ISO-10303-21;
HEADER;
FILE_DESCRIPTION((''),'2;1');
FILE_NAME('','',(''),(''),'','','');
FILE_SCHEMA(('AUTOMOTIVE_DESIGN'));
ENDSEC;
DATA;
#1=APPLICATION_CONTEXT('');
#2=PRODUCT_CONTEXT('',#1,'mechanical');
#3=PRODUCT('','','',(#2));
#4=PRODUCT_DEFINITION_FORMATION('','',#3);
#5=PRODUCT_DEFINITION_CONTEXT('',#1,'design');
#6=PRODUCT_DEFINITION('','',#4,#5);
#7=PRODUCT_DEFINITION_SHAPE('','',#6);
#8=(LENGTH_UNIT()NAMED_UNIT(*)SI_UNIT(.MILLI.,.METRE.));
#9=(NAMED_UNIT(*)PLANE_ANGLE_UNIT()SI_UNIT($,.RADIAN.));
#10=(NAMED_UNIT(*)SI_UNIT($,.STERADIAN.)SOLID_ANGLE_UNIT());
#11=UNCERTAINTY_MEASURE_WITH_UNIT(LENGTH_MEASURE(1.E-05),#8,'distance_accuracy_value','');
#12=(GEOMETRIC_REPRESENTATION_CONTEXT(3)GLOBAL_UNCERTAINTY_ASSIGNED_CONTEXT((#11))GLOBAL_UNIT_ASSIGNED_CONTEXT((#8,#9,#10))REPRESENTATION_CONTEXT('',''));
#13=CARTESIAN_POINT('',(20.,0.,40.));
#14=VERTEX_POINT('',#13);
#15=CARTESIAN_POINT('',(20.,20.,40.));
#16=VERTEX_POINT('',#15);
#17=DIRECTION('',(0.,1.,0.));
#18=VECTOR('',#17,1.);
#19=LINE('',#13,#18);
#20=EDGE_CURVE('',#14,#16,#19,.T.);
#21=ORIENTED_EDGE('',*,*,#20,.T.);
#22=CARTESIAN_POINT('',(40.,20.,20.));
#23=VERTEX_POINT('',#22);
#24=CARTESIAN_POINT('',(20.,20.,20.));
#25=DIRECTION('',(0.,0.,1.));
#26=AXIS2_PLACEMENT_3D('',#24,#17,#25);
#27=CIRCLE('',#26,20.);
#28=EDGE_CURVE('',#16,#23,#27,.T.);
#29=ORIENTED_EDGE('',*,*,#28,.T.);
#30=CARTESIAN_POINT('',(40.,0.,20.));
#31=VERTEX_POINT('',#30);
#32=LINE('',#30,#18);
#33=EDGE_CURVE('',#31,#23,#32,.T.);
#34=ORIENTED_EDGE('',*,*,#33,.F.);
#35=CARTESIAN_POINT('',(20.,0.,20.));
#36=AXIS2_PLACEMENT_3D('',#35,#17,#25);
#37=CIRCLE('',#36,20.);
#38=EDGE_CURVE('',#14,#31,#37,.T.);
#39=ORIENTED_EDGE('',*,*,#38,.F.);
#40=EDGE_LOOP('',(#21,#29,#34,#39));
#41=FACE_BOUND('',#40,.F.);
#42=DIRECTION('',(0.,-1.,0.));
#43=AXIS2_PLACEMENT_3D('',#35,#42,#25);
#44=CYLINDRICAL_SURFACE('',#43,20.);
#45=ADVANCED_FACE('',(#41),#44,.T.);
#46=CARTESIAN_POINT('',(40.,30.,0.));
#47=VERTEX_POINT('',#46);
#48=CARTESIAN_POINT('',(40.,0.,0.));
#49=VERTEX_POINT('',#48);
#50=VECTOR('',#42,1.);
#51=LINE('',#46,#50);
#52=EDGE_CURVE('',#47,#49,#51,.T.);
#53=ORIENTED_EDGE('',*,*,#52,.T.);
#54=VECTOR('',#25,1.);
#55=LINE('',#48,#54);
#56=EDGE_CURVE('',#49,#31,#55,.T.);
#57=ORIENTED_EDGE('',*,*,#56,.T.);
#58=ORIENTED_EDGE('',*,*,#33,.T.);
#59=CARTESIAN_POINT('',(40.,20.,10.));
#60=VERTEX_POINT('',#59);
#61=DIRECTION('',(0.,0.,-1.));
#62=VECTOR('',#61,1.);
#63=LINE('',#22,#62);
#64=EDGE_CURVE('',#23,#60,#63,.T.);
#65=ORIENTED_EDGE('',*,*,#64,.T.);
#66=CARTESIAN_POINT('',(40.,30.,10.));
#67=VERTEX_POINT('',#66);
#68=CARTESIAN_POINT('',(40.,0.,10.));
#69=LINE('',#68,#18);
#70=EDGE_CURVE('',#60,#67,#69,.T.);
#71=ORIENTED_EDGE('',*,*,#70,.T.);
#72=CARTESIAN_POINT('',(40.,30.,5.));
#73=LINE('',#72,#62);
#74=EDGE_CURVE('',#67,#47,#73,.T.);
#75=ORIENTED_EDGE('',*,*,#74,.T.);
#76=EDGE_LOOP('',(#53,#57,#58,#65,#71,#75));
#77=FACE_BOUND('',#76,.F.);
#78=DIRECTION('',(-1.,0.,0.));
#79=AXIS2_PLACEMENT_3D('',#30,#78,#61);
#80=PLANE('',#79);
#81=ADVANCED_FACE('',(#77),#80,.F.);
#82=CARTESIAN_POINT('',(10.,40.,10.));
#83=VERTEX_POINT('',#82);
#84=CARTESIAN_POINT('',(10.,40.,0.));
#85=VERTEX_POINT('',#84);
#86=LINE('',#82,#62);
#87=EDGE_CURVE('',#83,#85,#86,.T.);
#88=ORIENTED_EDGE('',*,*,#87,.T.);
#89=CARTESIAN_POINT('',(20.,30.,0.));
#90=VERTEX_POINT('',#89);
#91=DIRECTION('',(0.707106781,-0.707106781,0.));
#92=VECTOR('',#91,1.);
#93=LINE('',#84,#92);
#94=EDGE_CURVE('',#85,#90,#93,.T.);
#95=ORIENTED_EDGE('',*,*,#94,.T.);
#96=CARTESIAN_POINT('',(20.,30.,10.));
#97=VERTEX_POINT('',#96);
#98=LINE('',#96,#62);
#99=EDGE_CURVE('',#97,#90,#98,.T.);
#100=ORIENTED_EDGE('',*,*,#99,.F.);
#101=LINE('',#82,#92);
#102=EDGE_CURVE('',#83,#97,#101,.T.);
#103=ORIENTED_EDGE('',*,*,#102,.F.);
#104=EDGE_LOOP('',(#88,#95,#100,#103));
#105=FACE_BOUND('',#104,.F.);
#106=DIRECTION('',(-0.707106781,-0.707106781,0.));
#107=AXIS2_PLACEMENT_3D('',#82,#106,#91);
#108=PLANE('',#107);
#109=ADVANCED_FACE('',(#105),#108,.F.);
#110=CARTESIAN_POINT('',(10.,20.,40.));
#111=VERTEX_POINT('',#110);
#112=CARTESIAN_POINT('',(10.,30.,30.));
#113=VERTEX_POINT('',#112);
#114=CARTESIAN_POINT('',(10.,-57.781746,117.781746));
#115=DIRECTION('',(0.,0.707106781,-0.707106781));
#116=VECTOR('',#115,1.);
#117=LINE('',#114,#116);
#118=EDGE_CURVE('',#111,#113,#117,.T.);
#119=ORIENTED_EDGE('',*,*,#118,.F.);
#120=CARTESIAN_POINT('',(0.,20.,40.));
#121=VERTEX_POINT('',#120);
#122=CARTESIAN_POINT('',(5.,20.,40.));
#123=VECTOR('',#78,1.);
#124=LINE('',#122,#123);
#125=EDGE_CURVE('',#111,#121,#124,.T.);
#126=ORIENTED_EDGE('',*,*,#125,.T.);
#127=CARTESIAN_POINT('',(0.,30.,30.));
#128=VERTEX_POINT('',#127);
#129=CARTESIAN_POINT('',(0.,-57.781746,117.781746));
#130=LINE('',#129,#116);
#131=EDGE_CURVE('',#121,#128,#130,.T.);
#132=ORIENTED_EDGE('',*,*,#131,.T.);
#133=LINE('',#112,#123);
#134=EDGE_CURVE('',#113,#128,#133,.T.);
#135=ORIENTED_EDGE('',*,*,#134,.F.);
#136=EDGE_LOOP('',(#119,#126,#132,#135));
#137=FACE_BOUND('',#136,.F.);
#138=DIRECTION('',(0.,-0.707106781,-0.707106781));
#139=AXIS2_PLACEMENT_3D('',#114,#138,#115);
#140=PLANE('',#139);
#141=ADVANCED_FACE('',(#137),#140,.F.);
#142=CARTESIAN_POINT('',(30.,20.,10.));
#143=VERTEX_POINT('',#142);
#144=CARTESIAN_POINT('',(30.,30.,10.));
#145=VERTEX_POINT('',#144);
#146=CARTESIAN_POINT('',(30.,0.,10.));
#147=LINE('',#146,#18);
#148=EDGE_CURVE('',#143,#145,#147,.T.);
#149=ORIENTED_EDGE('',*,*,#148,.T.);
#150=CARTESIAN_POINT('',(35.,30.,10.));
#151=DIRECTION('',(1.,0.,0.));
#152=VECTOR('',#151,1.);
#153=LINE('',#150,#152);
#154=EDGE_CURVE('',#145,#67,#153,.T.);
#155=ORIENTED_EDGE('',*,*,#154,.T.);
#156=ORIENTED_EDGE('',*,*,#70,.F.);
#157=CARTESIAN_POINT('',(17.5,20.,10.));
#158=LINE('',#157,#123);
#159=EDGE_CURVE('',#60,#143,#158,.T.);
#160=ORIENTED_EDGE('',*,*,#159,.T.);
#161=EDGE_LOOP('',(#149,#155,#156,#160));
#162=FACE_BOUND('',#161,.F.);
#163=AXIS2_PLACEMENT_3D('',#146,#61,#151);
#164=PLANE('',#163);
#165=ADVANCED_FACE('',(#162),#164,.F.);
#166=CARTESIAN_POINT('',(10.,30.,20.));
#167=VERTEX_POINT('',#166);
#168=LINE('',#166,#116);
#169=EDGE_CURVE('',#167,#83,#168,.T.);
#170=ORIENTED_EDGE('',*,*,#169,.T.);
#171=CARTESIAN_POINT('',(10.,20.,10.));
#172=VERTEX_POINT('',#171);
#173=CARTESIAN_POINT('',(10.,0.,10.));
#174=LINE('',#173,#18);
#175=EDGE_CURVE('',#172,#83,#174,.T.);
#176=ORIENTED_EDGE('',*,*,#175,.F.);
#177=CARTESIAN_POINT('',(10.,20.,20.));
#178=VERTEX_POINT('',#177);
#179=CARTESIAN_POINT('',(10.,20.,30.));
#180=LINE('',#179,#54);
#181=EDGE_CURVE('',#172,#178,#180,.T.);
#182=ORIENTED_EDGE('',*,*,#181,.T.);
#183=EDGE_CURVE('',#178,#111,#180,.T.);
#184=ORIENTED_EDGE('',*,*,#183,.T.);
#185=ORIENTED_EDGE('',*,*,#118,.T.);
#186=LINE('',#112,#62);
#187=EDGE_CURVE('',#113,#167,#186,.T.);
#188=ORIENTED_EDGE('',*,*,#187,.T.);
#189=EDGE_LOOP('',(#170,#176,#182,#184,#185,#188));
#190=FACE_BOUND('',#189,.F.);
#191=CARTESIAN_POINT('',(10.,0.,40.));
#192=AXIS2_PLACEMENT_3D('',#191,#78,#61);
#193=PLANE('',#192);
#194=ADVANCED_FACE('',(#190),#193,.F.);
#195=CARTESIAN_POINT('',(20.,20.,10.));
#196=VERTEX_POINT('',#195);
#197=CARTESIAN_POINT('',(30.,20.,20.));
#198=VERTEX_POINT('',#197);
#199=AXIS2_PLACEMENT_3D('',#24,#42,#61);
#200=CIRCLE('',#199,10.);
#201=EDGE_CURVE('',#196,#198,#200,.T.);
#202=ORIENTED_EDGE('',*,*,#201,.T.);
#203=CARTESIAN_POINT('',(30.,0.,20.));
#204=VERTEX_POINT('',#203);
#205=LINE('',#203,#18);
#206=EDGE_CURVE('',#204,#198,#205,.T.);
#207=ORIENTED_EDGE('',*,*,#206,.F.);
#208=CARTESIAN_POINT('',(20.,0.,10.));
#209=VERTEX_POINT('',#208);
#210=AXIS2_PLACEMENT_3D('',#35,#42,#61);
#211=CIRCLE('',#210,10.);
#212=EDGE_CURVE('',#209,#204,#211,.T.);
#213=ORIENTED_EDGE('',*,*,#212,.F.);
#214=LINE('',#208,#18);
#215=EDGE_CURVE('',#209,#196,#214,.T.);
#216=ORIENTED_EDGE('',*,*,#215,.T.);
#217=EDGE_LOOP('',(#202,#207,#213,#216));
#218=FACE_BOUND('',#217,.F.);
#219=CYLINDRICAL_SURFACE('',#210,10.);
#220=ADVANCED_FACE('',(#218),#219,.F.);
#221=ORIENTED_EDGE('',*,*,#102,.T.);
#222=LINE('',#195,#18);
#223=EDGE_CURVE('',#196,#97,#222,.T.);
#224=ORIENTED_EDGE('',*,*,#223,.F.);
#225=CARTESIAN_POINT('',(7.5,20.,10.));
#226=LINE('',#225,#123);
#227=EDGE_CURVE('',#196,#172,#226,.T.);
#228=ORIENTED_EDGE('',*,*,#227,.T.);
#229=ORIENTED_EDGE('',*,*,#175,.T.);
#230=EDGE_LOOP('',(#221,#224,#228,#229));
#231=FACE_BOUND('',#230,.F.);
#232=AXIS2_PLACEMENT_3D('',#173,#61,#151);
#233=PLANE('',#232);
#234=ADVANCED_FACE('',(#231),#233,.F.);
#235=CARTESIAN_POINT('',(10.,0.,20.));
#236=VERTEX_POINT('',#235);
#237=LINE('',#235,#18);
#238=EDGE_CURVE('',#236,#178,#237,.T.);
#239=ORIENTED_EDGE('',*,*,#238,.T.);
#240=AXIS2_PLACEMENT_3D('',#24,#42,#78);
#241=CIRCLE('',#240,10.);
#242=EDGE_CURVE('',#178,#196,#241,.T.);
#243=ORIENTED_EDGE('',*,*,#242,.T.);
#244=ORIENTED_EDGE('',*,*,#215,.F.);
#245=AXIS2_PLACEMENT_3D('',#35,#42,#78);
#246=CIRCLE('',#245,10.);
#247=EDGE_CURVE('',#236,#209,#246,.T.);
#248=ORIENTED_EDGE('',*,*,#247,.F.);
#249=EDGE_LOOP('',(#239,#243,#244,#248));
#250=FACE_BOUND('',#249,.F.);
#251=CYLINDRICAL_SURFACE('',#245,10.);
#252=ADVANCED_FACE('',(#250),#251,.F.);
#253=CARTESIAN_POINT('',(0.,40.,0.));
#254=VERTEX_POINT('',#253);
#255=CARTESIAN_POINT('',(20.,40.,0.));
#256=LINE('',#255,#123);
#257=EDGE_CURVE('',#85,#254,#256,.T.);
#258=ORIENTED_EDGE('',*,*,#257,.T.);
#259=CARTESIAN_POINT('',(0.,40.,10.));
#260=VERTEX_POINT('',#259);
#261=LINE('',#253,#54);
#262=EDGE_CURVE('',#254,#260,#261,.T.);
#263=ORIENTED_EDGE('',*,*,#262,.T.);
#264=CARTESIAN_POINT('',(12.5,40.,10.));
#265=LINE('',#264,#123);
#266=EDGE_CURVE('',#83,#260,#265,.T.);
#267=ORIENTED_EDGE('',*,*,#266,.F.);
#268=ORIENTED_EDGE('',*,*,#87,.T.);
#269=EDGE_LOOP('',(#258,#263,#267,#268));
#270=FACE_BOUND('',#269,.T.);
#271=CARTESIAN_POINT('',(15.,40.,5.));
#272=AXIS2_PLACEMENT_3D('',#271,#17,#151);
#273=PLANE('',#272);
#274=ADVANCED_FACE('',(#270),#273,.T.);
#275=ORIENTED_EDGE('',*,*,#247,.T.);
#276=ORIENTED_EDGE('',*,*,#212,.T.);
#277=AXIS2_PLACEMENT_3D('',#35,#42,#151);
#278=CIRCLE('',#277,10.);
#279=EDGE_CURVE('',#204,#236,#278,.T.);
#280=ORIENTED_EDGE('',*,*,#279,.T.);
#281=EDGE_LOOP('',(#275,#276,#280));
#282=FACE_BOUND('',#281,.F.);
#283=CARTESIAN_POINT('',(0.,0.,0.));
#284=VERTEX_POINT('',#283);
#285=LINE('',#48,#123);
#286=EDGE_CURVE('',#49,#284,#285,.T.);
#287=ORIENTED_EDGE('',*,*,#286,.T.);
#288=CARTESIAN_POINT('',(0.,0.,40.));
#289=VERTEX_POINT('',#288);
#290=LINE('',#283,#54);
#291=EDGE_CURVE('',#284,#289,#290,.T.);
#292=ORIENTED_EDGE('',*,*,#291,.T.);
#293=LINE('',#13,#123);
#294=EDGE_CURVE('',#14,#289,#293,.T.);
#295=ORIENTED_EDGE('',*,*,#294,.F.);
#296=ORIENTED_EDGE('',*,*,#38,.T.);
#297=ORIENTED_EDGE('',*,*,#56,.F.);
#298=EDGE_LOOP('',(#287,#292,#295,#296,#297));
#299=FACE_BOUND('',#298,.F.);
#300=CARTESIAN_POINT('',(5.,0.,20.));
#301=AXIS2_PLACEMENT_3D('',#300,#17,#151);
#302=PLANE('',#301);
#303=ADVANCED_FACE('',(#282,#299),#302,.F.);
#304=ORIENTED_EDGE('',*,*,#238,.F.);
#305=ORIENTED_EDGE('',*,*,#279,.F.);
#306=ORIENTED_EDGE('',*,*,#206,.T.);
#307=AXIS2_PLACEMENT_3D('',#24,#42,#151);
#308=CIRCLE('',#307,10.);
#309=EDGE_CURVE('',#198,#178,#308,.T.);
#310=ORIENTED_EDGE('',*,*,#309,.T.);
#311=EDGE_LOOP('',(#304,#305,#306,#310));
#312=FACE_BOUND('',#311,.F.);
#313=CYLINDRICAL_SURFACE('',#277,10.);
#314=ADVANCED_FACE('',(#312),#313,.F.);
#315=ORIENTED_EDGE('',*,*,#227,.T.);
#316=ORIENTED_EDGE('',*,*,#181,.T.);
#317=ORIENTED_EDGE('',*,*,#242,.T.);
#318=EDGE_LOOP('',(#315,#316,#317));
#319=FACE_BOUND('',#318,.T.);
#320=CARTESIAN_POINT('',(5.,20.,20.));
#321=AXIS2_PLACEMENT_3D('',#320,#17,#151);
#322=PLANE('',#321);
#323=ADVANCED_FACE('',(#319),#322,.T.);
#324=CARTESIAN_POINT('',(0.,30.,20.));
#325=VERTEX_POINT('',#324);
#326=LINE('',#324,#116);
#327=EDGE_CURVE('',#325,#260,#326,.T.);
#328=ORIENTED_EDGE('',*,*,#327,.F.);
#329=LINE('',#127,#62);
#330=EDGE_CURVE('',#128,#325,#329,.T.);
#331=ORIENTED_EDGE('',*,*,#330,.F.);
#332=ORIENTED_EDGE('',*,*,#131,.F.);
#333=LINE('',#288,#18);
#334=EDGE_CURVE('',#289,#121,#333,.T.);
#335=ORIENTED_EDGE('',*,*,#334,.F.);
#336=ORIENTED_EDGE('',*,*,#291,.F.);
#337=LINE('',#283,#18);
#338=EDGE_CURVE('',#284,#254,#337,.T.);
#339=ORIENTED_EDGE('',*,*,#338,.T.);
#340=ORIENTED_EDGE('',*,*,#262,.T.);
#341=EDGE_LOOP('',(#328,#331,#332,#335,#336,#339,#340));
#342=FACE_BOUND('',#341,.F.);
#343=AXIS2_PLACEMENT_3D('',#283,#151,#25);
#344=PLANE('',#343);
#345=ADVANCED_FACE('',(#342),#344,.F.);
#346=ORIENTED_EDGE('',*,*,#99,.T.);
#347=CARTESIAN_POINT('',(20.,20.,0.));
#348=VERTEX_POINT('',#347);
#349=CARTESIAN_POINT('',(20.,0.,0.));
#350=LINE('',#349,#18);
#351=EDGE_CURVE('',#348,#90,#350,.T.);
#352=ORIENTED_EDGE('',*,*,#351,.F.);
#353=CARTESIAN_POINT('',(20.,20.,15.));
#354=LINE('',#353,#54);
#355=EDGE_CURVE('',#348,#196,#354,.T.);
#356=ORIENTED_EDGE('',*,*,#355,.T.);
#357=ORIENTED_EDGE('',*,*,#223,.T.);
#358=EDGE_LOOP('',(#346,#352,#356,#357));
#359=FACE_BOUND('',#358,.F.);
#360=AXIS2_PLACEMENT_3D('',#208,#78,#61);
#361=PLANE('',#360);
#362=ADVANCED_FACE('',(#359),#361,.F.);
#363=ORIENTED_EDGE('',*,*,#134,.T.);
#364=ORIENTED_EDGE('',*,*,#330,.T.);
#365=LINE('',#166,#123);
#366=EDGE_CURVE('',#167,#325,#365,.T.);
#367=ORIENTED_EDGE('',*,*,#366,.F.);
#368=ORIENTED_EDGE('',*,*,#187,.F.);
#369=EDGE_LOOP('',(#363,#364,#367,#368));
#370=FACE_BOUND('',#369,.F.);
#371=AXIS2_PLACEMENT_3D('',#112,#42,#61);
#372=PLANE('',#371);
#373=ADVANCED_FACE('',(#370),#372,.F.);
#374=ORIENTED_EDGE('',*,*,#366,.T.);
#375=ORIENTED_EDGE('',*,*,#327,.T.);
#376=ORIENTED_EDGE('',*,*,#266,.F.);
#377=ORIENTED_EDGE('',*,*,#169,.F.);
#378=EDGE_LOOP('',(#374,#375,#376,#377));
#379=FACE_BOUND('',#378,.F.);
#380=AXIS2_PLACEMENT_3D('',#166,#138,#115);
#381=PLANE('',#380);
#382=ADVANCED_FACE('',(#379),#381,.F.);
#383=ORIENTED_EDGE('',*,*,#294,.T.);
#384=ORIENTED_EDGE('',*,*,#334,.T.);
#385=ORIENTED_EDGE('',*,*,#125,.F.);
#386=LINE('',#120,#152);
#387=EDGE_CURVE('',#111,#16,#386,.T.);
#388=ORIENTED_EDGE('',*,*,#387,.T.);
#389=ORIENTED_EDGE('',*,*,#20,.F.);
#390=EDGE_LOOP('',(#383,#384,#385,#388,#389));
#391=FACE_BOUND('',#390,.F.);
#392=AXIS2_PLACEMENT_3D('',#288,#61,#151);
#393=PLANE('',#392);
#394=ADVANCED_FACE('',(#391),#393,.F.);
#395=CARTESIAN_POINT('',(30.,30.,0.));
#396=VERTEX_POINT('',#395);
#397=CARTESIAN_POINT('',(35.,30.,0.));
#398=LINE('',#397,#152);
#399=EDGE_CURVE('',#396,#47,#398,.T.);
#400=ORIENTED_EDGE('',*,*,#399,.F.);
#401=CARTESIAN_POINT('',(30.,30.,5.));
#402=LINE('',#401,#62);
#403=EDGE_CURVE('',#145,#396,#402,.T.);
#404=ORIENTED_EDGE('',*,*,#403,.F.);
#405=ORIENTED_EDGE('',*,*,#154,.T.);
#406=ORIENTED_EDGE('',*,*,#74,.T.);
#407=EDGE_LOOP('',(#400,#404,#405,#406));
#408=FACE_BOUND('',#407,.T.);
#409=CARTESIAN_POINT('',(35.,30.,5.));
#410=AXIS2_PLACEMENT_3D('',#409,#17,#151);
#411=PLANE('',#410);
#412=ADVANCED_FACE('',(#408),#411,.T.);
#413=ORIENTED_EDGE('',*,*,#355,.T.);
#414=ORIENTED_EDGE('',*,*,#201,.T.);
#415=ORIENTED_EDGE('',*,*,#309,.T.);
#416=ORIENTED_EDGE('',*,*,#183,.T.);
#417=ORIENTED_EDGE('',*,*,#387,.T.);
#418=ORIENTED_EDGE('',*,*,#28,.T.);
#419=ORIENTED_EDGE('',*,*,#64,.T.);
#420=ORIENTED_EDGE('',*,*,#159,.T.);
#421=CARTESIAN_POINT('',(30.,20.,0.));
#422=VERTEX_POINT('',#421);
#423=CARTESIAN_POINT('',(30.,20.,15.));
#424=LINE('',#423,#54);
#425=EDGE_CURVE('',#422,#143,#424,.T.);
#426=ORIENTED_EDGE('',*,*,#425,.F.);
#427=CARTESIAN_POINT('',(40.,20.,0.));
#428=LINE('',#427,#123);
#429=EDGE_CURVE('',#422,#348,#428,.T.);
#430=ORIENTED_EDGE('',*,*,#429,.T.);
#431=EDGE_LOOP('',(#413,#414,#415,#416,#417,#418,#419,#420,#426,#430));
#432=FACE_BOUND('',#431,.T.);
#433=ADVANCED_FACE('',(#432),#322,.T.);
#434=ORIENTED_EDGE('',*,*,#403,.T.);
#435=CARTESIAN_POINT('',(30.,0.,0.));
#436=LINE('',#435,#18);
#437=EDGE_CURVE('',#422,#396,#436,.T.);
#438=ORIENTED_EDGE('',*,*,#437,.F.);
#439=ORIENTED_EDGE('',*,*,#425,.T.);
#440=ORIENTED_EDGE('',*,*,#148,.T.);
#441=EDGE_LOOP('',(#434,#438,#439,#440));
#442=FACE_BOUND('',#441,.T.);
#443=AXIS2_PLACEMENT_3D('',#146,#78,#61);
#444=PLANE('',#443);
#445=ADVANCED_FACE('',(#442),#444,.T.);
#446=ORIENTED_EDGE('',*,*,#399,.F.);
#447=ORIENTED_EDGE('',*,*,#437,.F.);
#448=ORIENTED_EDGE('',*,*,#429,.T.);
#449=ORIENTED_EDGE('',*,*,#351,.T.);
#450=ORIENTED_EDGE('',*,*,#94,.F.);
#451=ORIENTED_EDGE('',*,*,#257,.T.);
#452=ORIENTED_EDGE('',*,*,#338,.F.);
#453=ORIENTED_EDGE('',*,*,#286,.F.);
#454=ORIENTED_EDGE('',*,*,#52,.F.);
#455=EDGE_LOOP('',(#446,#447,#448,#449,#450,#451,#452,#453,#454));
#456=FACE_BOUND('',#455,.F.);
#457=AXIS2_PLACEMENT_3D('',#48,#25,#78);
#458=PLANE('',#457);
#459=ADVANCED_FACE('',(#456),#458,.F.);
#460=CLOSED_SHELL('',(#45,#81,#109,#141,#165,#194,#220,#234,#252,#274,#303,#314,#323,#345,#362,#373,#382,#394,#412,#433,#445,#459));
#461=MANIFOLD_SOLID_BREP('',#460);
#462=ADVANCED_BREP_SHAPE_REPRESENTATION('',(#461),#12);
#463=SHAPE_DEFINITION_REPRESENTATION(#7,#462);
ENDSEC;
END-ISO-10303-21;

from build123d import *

# Parameters (mm, degrees)
SKETCH1_W               = 10
SKETCH1_H               = 10
BOSS_EXTRUDE1_DEPTH     = 20
SKETCH1_3_W             = 10
SKETCH1_3_H             = 10
BOSS_EXTRUDE2_DEPTH     = 30
SKETCH1_4_W             = 10
SKETCH1_4_H             = 10
BOSS_EXTRUDE3_DEPTH     = 40
CUT_EXTRUDE1_DEPTH      = 31
CUT_EXTRUDE1_DEPTH_BACK = 10
CUT_EXTRUDE2_DEPTH      = 31
CUT_EXTRUDE2_DEPTH_BACK = 10


with BuildPart() as part:
    # Sketch1 → Boss-Extrude1 (new body)
    with BuildSketch(Plane(origin=(0, 0, 0), x_dir=(1, 0, 0), z_dir=(0, 1, 0))):
        Polygon((10, 0), (0, 0), (0, -40), (10, -40), (10, -20), (10, -10), align=None)
        with BuildLine():
            Line((10, -20), (10, -40))
            Line((10, -40), (20, -40))
            ThreePointArc((20, -40), (34.142135624, -34.142135624), (40, -20))
            Line((40, -20), (40, -10))
            Line((40, -10), (30, -10))
            Line((30, -10), (30, 0))
            Line((30, 0), (20, 0))
            Line((20, 0), (20, -10))
            ThreePointArc((20, -10), (27.071067812, -12.928932188), (30, -20))
            ThreePointArc((30, -20), (20, -30), (10, -20))
        make_face()
        with Locations((15, -5)):
            Rectangle(SKETCH1_W, SKETCH1_H)
        with Locations((35, -5)):
            Rectangle(SKETCH1_W, SKETCH1_H)
        with BuildLine():
            Line((20, -10), (10, -10))
            Line((10, -10), (10, -20))
            ThreePointArc((10, -20), (12.928932188, -12.928932188), (20, -10))
        make_face()
    extrude(amount=BOSS_EXTRUDE1_DEPTH)

    # Sketch1<3> → Boss-Extrude2 (add)
    with BuildSketch(Plane(origin=(0, 0, 0), x_dir=(1, 0, 0), z_dir=(0, 1, 0))):
        with Locations((35, -5)):
            Rectangle(SKETCH1_3_W, SKETCH1_3_H)
    extrude(amount=BOSS_EXTRUDE2_DEPTH)

    # Sketch1<4> → Boss-Extrude3 (add)
    with BuildSketch(Plane(origin=(0, 0, 0), x_dir=(1, 0, 0), z_dir=(0, 1, 0))):
        with Locations((15, -5)):
            Rectangle(SKETCH1_4_W, SKETCH1_4_H)
        Polygon((10, 0), (0, 0), (0, -40), (10, -40), (10, -20), (10, -10), align=None)
    extrude(amount=BOSS_EXTRUDE3_DEPTH)

    # Sketch2 → Cut-Extrude1 (cut, two sides)
    with BuildSketch(Plane.XY.offset(10)) as cut_extrude1_sk:
        Polygon((20, 40), (10, 40), (20, 30), align=None)
    extrude(amount=CUT_EXTRUDE1_DEPTH, mode=Mode.SUBTRACT)
    extrude(cut_extrude1_sk.sketch, amount=-CUT_EXTRUDE1_DEPTH_BACK, mode=Mode.SUBTRACT)

    # Sketch3 → Cut-Extrude2 (cut, two sides)
    with BuildSketch(Plane(origin=(10, 0, 0), x_dir=(0, 0, -1), z_dir=(1, 0, 0))) as cut_extrude2_sk:
        Polygon((-117.781745931, -57.781745931), (-40, 20), (-30, 30), (-20, 30), (-10, 40), (67.781745931, 117.781745931), (-83.416065326, 277.591701412), (-268.979557187, 102.028209551), align=None)
    extrude(amount=CUT_EXTRUDE2_DEPTH, mode=Mode.SUBTRACT)
    extrude(cut_extrude2_sk.sketch, amount=-CUT_EXTRUDE2_DEPTH_BACK, mode=Mode.SUBTRACT)


solid = part.part
